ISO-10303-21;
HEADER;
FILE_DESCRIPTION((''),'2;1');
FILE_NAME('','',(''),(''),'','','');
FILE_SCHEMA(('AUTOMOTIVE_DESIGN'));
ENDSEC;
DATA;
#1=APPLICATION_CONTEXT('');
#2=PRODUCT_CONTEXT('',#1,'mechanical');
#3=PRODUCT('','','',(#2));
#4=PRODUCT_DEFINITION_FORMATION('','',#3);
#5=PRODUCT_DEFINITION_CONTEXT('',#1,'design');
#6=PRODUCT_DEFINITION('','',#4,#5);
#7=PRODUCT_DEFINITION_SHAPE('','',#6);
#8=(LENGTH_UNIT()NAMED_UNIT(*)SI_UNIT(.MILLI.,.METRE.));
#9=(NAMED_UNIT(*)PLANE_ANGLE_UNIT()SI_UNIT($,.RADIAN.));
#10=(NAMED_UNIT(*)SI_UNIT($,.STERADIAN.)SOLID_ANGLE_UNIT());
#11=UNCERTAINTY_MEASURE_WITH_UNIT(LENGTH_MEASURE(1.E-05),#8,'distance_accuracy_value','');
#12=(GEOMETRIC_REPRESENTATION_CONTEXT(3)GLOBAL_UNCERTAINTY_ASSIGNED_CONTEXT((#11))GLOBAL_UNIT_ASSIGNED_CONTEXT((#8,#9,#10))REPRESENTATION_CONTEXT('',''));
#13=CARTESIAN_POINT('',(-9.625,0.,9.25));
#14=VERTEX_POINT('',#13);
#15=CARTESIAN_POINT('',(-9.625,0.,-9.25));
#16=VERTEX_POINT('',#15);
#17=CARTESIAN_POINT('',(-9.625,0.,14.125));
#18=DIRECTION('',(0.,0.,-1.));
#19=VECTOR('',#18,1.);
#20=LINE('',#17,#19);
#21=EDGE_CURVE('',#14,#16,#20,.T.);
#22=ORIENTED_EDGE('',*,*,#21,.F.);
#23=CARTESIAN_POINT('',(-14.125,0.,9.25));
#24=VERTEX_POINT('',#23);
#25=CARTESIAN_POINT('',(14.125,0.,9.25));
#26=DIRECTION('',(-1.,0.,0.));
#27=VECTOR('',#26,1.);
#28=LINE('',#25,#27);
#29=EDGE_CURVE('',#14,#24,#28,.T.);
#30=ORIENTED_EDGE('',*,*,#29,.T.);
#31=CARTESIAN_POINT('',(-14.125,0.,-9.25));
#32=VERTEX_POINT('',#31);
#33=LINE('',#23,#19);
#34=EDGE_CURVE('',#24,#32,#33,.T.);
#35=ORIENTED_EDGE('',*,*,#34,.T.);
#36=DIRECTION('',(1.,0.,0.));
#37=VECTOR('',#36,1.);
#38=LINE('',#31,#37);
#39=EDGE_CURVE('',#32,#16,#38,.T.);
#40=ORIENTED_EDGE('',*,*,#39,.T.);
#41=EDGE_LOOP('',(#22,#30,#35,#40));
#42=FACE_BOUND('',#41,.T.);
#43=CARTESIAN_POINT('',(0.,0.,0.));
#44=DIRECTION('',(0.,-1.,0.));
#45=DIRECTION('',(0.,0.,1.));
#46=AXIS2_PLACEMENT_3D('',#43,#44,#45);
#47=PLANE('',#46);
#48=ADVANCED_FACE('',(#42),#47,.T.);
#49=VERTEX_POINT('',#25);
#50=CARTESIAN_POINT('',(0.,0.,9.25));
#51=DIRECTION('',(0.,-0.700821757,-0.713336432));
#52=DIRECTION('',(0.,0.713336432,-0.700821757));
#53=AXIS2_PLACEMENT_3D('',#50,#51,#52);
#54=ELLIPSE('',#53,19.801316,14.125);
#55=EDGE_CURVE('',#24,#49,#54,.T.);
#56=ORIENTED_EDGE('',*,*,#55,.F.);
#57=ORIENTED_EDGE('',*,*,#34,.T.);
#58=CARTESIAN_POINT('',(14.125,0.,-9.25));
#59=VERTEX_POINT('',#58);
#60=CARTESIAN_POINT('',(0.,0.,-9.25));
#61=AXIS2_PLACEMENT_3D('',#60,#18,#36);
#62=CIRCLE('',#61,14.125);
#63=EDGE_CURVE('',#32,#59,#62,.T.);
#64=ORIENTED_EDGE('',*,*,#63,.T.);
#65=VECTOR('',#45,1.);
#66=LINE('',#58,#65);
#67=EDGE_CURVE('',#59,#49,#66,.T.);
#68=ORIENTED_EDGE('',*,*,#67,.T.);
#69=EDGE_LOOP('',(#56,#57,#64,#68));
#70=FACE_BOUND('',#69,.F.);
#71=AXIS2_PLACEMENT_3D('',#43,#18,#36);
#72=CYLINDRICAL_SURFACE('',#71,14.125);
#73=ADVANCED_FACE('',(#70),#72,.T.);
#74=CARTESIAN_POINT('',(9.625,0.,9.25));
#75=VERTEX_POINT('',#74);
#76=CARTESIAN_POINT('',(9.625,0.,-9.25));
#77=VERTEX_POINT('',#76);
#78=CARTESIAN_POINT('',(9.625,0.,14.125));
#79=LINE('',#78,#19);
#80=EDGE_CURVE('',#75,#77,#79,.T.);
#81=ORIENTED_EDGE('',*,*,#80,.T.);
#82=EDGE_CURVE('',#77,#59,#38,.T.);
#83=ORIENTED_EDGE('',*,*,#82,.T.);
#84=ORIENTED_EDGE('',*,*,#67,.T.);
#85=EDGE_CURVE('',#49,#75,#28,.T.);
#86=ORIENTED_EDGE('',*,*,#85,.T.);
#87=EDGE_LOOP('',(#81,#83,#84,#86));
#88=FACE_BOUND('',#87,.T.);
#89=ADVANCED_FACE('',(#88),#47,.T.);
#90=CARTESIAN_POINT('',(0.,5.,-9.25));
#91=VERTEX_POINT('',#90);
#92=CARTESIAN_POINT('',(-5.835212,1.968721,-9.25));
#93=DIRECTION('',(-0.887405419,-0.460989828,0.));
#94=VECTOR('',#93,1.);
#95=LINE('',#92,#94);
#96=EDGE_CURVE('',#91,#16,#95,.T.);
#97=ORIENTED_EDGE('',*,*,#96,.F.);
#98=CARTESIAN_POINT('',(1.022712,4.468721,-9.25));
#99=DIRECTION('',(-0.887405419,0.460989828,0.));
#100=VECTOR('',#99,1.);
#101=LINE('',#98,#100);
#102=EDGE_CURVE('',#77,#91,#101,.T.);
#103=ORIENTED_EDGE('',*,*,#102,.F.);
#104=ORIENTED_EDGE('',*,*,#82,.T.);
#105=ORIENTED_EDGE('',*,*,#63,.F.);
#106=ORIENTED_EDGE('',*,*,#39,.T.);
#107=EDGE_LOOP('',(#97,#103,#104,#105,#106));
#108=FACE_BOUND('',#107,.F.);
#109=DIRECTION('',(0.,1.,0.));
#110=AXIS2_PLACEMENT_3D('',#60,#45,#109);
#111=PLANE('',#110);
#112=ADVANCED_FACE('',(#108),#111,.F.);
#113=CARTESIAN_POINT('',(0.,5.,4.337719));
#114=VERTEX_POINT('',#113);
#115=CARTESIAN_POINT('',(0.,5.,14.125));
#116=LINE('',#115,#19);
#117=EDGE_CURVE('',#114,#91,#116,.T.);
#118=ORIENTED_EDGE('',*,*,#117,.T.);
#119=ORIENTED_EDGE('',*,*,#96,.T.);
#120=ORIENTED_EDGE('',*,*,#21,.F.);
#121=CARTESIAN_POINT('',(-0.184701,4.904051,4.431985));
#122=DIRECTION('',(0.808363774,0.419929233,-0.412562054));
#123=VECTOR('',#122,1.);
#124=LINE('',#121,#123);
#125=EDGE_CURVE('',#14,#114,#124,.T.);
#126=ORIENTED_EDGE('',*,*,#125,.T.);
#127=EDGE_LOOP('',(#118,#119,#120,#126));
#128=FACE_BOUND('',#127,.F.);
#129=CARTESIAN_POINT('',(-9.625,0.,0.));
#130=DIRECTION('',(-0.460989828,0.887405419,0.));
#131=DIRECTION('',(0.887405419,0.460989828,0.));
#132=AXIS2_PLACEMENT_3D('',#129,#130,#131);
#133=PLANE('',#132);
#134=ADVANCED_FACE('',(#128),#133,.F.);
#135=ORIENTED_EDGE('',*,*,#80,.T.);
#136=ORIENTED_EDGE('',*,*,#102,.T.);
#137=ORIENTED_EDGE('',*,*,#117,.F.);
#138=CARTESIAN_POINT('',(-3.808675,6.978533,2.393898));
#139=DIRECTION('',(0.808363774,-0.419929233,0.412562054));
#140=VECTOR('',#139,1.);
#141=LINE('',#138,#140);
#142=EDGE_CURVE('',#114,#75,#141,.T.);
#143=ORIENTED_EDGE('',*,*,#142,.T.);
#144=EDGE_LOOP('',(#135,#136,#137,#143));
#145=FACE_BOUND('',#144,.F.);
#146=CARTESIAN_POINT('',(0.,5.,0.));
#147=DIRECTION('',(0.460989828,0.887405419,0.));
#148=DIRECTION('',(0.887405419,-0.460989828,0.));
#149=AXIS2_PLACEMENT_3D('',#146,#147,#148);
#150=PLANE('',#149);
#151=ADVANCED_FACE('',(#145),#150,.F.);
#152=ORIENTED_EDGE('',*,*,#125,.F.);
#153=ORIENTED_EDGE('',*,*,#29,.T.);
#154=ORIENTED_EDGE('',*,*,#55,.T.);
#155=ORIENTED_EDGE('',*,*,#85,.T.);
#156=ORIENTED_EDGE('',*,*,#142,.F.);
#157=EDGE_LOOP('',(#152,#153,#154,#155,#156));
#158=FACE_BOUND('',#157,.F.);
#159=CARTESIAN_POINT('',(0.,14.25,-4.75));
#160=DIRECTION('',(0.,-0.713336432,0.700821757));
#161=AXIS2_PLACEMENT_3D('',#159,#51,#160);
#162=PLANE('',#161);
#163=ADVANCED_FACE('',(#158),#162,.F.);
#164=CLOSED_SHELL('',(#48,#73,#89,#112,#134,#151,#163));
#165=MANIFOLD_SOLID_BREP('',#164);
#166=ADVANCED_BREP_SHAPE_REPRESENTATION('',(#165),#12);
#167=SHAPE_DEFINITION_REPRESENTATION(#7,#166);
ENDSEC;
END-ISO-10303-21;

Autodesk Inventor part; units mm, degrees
ref_plane "YZ Plane" through (0, 0, 0) normal (1, 0, 0) x (0, 1, 0)
ref_plane "XZ Plane" through (0, 0, 0) normal (0, 1, 0) x (-1, 0, 0)
ref_plane "XY Plane" through (0, 0, 0) normal (0, 0, 1) x (1, 0, 0)
sketch "Sketch1" plane through (0, 0, 0) normal (1, 0, 0) x (0, 1, 0)
  line L0 (0, 0) -> (0, -9.25)
  line L1 (0, 0) -> (0, 9.25)
  line L2 (0, -9.25) -> (14.25, -9.25)
  line L3 (14.25, -9.25) -> (14.25, -4.75)
  line L4 (14.25, -4.75) -> (0, 9.25)
  dimension "d0" = 9.25
  dimension "d1" = 9.25
  dimension "d2" = 14.25
  dimension "d3" = 4.5
sketch "Sketch2" plane through (0, 0, 0) normal (0, 0, 1) x (1, 0, 0)
  line L0 (0, 0) -> (14.125, 0) construction
  line L1 (0, 0) -> (-14.125, 0) construction
  line L2 (-14.125, 0) -> (-9.625, 0)
  line L3 (14.125, 0) -> (9.625, 0)
  arc A0 (14.125, 0) -> (-14.125, 0) centre (0, 0) ccw
  line L4 (0, 0) -> (0, 5) construction
  line L5 (-9.625, 0) -> (0, 5)
  line L6 (0, 5) -> (9.625, 0)
  line L7 (-25, 30) -> (25, 30)
  line L8 (25, 30) -> (25, -20)
  line L9 (25, -20) -> (-25, -20)
  line L10 (-25, -20) -> (-25, 30)
  line L11 (-25, 30) -> (25, -20) construction
  line L12 (25, 30) -> (-25, -20) construction
  dimension "d6" = 4.5
  dimension "d7" = 4.5
  dimension "d8" = 14.125
  dimension "d9" = 5
  dimension "d12" = 50
  dimension "d13" = 50
extrude "Extrusion1" add sketch "Sketch1" along normal mid plane 28.25
extrude "Extrusion2" cut sketch "Sketch2" along normal mid plane 28.25
equation "\"d1\" = d0"
equation "\"d10\" = 2 * d8"
equation "\"d14\" = 2 * d8"
